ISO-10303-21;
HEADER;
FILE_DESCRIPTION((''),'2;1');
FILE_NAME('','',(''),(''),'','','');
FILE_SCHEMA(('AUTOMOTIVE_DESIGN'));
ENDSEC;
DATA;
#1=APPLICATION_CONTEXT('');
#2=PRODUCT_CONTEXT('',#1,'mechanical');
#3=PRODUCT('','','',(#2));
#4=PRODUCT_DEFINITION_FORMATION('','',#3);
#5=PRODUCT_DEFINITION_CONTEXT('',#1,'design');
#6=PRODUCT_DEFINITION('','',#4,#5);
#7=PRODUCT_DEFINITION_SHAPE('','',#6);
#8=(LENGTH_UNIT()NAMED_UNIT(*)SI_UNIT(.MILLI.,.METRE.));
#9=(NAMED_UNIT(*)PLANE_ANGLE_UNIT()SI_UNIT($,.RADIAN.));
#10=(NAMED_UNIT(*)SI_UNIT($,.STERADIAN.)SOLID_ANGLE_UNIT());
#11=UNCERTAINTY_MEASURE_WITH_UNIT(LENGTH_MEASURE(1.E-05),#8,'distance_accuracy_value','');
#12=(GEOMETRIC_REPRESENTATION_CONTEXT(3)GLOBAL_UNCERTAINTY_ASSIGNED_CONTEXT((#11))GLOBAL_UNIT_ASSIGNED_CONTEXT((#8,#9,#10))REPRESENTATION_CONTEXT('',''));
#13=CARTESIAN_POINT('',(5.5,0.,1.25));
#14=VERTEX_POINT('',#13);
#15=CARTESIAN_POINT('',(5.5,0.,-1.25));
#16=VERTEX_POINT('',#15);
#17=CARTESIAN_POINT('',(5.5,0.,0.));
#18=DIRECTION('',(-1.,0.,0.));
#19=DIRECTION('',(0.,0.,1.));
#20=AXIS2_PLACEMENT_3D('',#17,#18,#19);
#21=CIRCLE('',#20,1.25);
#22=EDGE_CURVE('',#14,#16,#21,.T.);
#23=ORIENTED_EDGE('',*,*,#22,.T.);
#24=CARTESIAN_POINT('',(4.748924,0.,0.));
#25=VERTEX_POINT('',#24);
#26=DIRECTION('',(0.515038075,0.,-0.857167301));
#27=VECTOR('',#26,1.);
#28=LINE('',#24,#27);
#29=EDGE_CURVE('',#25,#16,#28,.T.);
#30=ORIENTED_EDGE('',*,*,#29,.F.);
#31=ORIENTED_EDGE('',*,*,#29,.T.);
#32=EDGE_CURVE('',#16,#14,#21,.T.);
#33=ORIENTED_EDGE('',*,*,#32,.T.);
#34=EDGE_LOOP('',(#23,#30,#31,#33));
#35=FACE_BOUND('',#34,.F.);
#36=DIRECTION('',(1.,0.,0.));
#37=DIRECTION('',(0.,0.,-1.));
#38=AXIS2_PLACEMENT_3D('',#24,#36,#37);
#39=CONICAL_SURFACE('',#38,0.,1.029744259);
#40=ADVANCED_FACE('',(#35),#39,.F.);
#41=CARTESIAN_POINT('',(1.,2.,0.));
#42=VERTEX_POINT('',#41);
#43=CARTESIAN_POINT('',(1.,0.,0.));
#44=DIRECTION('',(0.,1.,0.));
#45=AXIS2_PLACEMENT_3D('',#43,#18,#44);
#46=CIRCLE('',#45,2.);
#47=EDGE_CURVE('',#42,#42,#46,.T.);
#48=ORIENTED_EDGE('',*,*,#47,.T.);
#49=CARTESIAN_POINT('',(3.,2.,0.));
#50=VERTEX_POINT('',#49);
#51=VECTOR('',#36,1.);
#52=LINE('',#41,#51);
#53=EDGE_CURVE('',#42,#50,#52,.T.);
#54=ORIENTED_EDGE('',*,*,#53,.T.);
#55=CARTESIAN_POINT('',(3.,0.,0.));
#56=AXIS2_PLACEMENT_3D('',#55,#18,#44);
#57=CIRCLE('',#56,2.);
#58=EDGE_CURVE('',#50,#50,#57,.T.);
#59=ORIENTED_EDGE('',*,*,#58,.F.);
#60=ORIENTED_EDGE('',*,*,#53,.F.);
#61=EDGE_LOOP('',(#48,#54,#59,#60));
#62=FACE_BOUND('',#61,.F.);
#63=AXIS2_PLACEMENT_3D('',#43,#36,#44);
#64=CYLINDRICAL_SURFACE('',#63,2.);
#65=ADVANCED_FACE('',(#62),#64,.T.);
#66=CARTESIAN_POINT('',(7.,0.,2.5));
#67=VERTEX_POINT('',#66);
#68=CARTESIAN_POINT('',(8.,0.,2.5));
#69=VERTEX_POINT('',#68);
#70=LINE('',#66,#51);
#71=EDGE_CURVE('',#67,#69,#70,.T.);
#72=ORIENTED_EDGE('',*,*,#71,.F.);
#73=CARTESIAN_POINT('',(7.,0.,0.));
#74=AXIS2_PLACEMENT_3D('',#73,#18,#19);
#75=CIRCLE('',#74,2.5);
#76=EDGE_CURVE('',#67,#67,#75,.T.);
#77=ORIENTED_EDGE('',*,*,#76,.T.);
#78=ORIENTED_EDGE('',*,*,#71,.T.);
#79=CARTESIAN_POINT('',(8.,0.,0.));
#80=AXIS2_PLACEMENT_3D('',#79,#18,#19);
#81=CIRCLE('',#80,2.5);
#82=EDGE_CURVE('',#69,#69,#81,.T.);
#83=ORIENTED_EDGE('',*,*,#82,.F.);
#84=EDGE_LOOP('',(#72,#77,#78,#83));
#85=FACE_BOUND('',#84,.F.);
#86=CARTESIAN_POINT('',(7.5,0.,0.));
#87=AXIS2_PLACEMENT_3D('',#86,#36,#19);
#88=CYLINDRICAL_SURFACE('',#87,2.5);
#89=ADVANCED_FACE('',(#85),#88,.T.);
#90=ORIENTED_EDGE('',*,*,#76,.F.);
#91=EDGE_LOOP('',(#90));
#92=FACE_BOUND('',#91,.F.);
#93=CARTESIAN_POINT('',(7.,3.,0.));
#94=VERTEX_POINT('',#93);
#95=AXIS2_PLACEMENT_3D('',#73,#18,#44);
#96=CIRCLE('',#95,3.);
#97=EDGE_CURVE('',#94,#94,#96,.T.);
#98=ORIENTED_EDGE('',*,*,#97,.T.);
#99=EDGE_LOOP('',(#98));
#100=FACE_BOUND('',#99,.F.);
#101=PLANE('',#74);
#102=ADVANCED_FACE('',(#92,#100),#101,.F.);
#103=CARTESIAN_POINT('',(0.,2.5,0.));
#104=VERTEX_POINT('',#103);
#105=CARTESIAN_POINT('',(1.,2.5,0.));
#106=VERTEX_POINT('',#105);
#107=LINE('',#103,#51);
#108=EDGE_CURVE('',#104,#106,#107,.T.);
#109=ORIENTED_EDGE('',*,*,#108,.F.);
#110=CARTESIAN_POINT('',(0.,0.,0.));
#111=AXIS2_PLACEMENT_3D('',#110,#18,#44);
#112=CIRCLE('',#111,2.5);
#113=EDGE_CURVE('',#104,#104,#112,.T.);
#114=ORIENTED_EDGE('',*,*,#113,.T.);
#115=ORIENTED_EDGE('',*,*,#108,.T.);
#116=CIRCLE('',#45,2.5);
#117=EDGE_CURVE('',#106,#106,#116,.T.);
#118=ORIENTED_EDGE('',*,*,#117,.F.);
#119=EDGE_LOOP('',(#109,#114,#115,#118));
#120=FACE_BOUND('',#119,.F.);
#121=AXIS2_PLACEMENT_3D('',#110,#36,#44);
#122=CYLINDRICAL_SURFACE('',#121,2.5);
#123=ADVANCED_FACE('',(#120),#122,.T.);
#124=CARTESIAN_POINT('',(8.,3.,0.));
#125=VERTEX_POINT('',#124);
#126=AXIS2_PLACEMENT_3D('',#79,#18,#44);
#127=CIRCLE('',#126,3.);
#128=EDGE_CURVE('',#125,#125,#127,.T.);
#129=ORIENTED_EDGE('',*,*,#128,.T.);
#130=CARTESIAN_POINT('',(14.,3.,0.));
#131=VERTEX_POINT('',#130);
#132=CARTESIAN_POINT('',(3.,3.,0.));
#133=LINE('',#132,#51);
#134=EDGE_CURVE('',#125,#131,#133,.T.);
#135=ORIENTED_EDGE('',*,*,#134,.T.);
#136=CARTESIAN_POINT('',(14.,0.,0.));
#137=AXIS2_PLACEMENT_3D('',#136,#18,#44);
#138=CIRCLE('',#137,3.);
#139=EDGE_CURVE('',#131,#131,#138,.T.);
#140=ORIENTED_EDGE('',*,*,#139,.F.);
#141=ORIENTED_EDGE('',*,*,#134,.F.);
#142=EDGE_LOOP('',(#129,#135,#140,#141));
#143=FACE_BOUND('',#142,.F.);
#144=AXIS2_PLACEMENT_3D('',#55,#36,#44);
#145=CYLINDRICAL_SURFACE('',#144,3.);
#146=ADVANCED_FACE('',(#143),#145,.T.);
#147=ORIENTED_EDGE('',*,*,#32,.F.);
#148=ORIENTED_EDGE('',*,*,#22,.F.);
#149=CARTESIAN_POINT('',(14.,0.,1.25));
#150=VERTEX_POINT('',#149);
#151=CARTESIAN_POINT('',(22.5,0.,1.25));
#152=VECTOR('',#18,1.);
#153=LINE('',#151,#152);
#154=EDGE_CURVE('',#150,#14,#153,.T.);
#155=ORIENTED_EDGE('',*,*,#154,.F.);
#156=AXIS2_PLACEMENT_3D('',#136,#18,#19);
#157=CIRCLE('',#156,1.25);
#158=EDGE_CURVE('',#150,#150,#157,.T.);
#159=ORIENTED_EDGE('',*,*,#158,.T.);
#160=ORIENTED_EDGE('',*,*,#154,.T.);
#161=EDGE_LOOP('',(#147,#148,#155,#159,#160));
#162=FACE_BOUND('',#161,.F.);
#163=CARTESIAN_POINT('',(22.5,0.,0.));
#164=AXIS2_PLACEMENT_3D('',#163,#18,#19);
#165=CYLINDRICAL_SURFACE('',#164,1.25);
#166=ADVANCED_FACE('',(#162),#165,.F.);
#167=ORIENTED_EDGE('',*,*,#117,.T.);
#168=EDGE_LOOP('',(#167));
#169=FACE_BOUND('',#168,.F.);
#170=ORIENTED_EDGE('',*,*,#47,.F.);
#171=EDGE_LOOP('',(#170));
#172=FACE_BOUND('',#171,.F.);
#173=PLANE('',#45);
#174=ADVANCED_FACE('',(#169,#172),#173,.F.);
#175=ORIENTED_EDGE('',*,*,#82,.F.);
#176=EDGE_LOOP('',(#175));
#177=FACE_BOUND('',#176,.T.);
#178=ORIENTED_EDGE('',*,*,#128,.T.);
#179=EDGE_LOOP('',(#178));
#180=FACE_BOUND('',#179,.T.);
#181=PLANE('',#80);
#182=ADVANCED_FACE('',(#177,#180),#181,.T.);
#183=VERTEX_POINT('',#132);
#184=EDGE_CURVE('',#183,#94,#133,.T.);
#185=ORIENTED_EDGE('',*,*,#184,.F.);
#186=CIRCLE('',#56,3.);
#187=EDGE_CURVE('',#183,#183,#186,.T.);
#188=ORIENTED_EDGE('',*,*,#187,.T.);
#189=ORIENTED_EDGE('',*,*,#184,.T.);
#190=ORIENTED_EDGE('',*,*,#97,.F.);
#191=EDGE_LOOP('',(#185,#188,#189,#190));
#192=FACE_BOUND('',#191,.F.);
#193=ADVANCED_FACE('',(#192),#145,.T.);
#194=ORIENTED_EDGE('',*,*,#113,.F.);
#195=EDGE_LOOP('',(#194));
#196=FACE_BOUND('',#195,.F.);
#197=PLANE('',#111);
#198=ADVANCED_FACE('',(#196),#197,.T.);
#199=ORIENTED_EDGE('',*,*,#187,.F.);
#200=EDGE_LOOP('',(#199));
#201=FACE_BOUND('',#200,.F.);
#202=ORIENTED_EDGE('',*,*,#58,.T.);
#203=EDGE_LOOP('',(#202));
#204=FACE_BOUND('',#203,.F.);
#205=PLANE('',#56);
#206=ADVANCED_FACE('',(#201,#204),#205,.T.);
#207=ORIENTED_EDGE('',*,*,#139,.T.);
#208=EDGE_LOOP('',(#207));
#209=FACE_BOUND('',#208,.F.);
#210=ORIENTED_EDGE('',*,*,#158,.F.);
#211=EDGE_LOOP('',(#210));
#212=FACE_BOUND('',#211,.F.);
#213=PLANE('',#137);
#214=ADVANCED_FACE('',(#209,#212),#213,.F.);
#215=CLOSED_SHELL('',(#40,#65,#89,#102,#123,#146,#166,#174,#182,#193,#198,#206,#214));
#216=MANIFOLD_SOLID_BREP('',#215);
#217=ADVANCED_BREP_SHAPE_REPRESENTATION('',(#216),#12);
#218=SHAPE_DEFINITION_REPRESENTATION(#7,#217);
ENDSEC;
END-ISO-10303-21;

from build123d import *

# Parameters (mm, degrees)
TROU_TARAUD_M31_D       = 2.5
TROU_TARAUD_M31_DEPTH   = 8.5
TROU_TARAUD_M31_TIP     = 0.751075774
ESQUISSE4_R             = 3
ESQUISSE4_R_2           = 2.5
ENL_V_MAT_EXTRU_1_DEPTH = 0.5


with BuildPart() as part:
    # Esquisse1 → Révolution1 (revolve)
    with BuildSketch(Plane.XY):
        Polygon((0, 0), (0, 2.5), (1, 2.5), (1, 2), (3, 2), (3, 3), (14, 3), (14, 0), align=None)
    revolve(axis=Axis((14, 0, 0), (-1, 0, 0)))

    # Trou taraudé M31
    with Locations(Plane(origin=(14, 0, 0), x_dir=(0, 0, -1), z_dir=(1, 0, 0))):
        with Locations((0, 0)):
            Hole(TROU_TARAUD_M31_D / 2, depth=TROU_TARAUD_M31_DEPTH)
            with Locations((0, 0, -(TROU_TARAUD_M31_DEPTH + TROU_TARAUD_M31_TIP / 2))):  # 118° drill point
                Cone(0, TROU_TARAUD_M31_D / 2, TROU_TARAUD_M31_TIP, mode=Mode.SUBTRACT)

    # Esquisse4 → Enlèv. mat.-Extru.1 (cut, symmetric)
    with BuildSketch(Plane.ZY.offset(-7.5)):
        Circle(ESQUISSE4_R)
        Circle(ESQUISSE4_R_2, mode=Mode.SUBTRACT)
    extrude(amount=ENL_V_MAT_EXTRU_1_DEPTH, both=True, mode=Mode.SUBTRACT)


solid = part.part
